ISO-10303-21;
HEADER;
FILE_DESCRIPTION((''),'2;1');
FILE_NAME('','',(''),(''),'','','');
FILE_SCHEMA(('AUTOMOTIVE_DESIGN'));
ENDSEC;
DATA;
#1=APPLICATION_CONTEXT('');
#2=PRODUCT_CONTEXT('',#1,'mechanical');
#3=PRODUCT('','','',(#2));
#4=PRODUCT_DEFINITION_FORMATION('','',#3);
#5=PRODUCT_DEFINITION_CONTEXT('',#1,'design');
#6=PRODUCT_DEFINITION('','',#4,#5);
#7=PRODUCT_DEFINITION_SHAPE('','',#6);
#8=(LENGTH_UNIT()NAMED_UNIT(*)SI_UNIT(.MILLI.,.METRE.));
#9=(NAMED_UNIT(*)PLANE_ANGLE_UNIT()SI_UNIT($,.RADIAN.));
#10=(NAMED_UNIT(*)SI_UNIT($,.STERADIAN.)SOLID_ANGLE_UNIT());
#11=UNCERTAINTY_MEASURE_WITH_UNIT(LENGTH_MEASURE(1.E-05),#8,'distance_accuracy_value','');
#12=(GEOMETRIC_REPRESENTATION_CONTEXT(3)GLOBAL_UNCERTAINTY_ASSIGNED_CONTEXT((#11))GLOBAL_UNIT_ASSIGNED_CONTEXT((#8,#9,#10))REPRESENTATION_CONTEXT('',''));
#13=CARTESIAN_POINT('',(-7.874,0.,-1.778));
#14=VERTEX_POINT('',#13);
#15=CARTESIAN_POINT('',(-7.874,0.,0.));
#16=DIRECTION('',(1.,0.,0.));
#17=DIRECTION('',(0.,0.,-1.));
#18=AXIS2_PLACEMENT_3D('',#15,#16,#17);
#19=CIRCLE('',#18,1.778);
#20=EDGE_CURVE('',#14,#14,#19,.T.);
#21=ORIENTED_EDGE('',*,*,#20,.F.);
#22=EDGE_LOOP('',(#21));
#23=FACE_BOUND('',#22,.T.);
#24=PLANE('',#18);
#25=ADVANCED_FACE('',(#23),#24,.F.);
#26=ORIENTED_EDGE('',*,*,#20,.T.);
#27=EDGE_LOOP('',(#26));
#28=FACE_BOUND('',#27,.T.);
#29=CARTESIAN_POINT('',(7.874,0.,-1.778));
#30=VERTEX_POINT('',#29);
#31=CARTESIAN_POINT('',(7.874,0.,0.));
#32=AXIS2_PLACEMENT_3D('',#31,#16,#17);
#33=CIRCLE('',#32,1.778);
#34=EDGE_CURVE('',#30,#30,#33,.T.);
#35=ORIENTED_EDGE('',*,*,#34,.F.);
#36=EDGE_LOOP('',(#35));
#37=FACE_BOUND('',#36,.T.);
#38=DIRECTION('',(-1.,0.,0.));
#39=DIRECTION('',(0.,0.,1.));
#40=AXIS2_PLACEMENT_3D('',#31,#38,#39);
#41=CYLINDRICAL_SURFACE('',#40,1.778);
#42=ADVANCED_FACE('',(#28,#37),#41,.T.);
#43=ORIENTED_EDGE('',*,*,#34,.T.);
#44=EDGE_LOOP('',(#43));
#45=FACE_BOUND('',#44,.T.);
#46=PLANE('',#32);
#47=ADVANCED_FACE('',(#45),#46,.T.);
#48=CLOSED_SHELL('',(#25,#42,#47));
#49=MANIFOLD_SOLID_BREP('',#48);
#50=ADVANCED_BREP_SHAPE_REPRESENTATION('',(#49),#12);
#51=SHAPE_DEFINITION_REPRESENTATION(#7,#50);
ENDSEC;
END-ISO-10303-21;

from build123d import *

# Parameters (mm, degrees)
SKETCH1_R           = 1.778
BOSS_EXTRUDE1_DEPTH = 7.874


with BuildPart() as part:
    # Sketch1 → Boss-Extrude1 (new body, symmetric)
    with BuildSketch(Plane(origin=(0, 0, 0), x_dir=(0, 0, -1), z_dir=(1, 0, 0))):
        Circle(SKETCH1_R)
    extrude(amount=BOSS_EXTRUDE1_DEPTH, both=True)


solid = part.part
